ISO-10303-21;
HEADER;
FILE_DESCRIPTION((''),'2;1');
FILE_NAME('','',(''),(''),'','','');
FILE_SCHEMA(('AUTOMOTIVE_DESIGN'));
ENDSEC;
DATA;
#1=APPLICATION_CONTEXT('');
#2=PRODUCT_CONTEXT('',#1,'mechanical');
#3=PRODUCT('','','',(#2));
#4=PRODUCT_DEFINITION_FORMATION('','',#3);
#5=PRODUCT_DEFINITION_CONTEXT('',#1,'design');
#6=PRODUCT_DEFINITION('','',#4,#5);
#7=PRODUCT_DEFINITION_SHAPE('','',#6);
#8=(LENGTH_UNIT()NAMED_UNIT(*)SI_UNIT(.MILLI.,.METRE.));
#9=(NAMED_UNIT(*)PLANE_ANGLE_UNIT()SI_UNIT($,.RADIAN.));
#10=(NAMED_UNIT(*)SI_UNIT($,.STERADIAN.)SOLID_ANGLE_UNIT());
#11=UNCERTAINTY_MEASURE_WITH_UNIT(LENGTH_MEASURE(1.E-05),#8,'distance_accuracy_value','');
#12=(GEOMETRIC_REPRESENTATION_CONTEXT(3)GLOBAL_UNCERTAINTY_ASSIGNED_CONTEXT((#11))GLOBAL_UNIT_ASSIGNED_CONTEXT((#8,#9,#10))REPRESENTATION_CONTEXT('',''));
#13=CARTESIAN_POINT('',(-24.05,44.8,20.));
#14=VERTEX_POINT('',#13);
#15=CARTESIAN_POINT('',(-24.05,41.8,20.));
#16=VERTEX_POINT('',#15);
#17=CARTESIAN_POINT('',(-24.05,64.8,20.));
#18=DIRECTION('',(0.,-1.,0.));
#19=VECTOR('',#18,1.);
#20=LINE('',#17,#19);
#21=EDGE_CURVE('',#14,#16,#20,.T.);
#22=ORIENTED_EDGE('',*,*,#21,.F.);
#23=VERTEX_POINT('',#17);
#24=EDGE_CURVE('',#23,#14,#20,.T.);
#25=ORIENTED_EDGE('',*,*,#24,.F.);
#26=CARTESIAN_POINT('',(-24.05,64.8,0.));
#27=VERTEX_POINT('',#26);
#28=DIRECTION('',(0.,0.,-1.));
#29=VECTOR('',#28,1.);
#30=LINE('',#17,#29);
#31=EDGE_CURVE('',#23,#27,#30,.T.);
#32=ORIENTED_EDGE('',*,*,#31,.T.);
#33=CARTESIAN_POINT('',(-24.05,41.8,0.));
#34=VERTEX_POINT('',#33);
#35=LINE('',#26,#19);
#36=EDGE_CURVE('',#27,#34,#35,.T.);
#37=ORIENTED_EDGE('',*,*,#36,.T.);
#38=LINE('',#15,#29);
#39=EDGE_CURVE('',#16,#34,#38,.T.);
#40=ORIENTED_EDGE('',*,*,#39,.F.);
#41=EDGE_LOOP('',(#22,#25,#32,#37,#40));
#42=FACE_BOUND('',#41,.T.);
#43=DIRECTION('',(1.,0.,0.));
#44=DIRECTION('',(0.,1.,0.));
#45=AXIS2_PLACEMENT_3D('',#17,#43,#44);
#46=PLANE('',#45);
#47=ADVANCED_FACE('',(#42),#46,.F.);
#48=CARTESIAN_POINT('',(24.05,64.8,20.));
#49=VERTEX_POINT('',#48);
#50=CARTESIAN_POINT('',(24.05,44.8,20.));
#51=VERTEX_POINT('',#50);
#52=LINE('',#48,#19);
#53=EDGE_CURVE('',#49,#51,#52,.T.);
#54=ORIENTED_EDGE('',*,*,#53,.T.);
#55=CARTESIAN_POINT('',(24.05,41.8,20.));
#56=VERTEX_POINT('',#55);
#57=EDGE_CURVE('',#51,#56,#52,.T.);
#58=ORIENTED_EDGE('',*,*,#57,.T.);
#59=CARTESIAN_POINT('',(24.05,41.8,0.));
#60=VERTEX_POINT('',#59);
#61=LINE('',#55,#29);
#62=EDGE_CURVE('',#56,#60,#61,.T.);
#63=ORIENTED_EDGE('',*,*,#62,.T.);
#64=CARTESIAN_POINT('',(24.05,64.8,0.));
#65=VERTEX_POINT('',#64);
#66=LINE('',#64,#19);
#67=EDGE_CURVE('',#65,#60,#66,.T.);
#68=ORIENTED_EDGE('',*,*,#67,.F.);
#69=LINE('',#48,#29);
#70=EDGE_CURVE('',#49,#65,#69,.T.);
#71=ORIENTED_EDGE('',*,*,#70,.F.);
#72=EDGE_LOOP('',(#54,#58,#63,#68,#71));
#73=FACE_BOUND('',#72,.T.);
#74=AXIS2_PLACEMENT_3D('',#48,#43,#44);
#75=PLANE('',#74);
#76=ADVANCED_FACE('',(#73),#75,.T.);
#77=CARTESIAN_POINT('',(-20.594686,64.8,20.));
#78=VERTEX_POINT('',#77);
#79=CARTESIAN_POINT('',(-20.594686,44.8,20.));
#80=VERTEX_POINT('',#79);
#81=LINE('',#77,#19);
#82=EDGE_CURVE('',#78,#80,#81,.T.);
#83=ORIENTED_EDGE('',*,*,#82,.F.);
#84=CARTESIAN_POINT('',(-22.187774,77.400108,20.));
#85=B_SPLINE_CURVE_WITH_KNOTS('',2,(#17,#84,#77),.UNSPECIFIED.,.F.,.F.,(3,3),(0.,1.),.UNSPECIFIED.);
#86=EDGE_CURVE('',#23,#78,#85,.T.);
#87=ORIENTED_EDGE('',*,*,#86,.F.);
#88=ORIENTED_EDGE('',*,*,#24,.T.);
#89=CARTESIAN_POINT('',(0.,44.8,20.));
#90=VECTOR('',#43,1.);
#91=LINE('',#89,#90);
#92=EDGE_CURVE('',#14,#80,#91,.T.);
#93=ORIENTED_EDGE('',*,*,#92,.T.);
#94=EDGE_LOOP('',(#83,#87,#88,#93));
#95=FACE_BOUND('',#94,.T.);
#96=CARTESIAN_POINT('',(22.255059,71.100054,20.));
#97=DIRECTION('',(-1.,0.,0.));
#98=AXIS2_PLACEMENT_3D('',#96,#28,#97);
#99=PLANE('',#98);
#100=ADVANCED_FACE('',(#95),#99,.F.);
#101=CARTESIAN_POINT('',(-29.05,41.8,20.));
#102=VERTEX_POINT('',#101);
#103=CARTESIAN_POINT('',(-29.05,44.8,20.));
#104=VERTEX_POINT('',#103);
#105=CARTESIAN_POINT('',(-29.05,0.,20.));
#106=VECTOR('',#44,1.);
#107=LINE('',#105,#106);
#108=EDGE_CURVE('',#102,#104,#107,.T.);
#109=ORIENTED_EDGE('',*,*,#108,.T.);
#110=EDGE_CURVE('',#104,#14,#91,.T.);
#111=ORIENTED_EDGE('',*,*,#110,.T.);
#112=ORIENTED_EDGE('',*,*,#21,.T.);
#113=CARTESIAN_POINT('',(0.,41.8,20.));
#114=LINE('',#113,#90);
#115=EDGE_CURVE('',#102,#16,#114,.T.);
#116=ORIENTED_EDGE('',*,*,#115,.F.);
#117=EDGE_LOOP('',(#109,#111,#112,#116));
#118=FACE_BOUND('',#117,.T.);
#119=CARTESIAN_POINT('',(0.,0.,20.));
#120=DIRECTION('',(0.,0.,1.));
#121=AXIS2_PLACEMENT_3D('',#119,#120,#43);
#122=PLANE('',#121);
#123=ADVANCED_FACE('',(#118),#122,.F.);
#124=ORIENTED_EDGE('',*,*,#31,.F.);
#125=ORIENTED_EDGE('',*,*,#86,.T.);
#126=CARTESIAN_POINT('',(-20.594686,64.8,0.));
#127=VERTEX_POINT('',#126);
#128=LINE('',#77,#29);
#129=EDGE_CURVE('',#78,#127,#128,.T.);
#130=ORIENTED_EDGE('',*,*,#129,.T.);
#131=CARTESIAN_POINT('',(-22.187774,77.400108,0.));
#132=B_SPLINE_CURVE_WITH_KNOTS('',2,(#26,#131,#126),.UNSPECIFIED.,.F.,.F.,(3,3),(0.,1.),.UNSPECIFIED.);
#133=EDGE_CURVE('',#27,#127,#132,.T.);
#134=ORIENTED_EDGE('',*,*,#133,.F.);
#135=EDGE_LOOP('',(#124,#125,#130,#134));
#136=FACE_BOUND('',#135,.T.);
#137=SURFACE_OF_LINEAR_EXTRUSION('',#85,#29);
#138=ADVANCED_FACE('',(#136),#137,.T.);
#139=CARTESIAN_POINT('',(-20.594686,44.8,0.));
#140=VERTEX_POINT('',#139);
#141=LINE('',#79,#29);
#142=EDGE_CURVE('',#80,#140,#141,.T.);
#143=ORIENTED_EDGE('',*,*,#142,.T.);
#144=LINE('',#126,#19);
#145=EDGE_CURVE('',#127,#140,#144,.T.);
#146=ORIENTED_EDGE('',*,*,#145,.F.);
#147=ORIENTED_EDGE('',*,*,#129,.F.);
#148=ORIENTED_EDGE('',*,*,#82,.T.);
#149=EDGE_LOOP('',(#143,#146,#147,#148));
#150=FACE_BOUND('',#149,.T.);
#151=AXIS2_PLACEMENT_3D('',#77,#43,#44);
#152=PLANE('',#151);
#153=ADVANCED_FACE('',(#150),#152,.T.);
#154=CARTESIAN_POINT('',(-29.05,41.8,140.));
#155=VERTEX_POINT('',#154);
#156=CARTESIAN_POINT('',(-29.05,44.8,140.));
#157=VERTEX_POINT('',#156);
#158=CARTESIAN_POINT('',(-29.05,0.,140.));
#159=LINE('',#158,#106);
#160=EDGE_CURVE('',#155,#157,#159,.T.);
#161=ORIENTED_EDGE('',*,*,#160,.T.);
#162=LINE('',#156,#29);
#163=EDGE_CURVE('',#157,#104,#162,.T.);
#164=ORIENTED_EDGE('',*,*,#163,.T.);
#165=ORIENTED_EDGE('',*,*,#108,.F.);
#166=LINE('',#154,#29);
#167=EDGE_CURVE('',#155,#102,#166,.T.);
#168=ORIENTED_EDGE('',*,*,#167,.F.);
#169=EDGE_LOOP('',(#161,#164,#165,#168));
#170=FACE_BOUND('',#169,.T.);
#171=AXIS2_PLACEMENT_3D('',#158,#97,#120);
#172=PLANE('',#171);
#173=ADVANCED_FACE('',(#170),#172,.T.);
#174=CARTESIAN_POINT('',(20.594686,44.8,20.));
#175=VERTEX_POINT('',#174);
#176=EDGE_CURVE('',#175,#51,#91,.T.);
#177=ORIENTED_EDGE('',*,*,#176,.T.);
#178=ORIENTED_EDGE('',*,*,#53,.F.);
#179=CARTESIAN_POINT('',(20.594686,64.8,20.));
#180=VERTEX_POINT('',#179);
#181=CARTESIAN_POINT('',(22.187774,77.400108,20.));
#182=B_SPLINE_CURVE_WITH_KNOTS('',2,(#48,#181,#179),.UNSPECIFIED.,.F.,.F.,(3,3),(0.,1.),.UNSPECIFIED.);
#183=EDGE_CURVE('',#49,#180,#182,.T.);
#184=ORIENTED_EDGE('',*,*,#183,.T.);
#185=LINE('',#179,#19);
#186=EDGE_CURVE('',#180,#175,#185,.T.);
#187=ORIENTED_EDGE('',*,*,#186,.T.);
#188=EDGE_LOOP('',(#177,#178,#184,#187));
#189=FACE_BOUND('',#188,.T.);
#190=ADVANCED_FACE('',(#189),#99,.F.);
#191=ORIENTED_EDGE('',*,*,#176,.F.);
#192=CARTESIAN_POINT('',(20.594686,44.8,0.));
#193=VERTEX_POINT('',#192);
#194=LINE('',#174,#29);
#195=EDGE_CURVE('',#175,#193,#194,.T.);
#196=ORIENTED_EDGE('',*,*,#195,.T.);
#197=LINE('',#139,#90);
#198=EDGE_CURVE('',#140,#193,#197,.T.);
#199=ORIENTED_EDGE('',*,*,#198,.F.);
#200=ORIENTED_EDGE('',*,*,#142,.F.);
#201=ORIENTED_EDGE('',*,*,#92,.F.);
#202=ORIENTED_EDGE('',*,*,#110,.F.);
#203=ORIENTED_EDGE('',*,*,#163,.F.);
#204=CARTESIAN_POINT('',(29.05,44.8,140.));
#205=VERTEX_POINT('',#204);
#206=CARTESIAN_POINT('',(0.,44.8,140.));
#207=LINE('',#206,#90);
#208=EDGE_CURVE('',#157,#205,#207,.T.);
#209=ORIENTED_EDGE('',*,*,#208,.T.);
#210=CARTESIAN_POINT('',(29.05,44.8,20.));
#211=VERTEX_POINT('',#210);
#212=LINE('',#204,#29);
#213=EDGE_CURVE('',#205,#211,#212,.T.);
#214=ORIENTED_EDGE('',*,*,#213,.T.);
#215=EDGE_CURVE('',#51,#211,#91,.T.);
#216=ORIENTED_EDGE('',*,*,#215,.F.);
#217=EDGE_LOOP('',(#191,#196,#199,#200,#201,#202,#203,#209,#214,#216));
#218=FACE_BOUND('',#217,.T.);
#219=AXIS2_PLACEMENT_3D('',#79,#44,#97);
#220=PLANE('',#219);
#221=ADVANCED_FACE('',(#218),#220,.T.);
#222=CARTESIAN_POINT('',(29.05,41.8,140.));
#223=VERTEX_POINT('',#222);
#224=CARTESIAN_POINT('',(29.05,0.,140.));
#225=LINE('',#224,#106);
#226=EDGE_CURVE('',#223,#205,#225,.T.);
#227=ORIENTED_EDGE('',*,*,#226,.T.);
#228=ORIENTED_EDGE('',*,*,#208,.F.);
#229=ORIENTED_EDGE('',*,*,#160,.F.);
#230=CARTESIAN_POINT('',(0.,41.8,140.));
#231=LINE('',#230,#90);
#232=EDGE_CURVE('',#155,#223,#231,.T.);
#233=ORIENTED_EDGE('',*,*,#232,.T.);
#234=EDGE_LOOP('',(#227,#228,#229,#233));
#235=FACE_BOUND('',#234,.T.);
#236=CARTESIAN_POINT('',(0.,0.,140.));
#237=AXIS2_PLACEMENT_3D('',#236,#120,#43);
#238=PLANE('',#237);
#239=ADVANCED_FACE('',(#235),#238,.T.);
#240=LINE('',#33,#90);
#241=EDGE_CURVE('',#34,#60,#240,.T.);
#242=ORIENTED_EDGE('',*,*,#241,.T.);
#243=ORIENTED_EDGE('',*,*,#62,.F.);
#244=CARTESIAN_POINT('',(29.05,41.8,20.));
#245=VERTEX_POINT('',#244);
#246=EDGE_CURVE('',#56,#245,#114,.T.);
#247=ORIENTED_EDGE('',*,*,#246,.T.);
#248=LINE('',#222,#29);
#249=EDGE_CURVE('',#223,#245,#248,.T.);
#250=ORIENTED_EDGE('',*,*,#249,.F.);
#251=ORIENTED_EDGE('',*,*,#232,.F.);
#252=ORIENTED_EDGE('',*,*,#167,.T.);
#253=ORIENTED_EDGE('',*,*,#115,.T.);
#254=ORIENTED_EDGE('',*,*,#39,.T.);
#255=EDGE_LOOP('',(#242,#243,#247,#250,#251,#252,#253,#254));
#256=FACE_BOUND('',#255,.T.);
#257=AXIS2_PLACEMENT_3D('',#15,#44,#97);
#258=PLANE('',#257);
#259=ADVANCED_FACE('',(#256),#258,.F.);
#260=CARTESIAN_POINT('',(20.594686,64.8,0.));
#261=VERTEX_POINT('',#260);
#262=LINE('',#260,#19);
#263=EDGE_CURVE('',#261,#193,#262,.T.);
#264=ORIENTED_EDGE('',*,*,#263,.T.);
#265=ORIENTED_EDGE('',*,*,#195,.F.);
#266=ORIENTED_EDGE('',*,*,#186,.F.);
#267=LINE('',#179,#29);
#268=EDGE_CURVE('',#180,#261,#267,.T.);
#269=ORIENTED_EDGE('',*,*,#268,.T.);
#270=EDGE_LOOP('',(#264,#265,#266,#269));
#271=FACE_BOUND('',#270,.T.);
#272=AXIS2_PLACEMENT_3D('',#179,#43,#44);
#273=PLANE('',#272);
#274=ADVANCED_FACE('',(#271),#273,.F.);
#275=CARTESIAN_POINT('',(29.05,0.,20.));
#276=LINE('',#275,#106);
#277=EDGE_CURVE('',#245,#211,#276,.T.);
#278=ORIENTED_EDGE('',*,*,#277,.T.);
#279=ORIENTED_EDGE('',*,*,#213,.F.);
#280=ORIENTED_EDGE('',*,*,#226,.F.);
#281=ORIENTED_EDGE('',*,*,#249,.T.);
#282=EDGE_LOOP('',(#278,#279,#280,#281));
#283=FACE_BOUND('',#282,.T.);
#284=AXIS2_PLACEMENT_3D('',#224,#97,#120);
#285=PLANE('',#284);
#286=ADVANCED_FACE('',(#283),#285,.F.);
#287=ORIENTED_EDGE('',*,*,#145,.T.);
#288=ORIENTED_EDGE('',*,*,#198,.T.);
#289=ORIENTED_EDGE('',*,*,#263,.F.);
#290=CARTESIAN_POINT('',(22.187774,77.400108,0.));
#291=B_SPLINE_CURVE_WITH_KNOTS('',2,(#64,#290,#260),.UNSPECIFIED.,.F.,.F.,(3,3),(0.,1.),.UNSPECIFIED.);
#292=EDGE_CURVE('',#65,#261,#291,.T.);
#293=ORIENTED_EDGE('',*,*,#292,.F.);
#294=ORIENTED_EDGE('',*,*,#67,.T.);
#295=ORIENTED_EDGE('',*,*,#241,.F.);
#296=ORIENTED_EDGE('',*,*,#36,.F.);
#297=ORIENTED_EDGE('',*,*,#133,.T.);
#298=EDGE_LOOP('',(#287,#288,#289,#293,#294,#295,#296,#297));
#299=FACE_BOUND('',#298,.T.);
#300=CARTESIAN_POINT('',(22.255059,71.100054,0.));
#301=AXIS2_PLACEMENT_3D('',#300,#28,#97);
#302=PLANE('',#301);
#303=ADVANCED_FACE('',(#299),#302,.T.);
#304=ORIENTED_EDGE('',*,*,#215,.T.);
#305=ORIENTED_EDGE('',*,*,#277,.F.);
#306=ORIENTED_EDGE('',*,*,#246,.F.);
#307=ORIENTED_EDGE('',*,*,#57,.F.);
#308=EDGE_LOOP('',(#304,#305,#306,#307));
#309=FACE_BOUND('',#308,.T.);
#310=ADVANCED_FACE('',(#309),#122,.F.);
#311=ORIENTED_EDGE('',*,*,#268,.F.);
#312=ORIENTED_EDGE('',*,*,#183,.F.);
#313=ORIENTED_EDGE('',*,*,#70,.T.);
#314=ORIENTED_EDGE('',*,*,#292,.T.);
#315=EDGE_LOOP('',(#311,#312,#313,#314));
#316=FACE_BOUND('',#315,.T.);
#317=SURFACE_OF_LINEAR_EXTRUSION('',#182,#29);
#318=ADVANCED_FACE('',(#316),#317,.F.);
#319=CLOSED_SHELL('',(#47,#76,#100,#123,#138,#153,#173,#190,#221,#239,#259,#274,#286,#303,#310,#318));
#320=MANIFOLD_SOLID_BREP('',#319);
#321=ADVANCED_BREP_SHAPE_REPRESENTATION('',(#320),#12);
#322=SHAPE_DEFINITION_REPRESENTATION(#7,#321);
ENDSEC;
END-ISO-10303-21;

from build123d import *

# Parameters (mm, degrees)
BOSS_EXTRUDE1_DEPTH = 20
SKETCH2_W           = 5
SKETCH2_H           = 3
BOSS_EXTRUDE2_DEPTH = 120


with BuildPart() as part:
    # Sketch1 → Boss-Extrude1 (new body)
    with BuildSketch(Plane.XY):
        with BuildLine():
            Line((-24.05, 64.8), (-24.05, 41.8))
            Line((-24.05, 41.8), (24.05, 41.8))
            Line((24.05, 41.8), (24.05, 64.8))
            add(Edge.make_bspline(
                [(24.05, 64.8), (22.187774265, 77.400108054), (20.594686421, 64.8)],
                knots=[0, 0, 0, 1, 1, 1], degree=2))
            Line((20.594686421, 64.8), (20.594686421, 44.8))
            Line((20.594686421, 44.8), (-20.594686421, 44.8))
            Line((-20.594686421, 44.8), (-20.594686421, 64.8))
            add(Edge.make_bspline(
                [(-24.05, 64.8), (-22.187774265, 77.400108054), (-20.594686421, 64.8)],
                knots=[0, 0, 0, 1, 1, 1], degree=2))
        make_face()
    extrude(amount=BOSS_EXTRUDE1_DEPTH)

    # Sketch2 → Boss-Extrude2 (add)
    with BuildSketch(Plane.XY.offset(20)):
        with Locations((-26.55, 43.3)):
            Rectangle(SKETCH2_W, SKETCH2_H)
        Polygon((-24.05, 44.8), (-24.05, 41.8), (24.05, 41.8), (24.05, 44.8), (20.594686421, 44.8), (-20.594686421, 44.8), align=None)
        with Locations((26.55, 43.3)):
            Rectangle(SKETCH2_W, SKETCH2_H)
    extrude(amount=BOSS_EXTRUDE2_DEPTH)


solid = part.part
